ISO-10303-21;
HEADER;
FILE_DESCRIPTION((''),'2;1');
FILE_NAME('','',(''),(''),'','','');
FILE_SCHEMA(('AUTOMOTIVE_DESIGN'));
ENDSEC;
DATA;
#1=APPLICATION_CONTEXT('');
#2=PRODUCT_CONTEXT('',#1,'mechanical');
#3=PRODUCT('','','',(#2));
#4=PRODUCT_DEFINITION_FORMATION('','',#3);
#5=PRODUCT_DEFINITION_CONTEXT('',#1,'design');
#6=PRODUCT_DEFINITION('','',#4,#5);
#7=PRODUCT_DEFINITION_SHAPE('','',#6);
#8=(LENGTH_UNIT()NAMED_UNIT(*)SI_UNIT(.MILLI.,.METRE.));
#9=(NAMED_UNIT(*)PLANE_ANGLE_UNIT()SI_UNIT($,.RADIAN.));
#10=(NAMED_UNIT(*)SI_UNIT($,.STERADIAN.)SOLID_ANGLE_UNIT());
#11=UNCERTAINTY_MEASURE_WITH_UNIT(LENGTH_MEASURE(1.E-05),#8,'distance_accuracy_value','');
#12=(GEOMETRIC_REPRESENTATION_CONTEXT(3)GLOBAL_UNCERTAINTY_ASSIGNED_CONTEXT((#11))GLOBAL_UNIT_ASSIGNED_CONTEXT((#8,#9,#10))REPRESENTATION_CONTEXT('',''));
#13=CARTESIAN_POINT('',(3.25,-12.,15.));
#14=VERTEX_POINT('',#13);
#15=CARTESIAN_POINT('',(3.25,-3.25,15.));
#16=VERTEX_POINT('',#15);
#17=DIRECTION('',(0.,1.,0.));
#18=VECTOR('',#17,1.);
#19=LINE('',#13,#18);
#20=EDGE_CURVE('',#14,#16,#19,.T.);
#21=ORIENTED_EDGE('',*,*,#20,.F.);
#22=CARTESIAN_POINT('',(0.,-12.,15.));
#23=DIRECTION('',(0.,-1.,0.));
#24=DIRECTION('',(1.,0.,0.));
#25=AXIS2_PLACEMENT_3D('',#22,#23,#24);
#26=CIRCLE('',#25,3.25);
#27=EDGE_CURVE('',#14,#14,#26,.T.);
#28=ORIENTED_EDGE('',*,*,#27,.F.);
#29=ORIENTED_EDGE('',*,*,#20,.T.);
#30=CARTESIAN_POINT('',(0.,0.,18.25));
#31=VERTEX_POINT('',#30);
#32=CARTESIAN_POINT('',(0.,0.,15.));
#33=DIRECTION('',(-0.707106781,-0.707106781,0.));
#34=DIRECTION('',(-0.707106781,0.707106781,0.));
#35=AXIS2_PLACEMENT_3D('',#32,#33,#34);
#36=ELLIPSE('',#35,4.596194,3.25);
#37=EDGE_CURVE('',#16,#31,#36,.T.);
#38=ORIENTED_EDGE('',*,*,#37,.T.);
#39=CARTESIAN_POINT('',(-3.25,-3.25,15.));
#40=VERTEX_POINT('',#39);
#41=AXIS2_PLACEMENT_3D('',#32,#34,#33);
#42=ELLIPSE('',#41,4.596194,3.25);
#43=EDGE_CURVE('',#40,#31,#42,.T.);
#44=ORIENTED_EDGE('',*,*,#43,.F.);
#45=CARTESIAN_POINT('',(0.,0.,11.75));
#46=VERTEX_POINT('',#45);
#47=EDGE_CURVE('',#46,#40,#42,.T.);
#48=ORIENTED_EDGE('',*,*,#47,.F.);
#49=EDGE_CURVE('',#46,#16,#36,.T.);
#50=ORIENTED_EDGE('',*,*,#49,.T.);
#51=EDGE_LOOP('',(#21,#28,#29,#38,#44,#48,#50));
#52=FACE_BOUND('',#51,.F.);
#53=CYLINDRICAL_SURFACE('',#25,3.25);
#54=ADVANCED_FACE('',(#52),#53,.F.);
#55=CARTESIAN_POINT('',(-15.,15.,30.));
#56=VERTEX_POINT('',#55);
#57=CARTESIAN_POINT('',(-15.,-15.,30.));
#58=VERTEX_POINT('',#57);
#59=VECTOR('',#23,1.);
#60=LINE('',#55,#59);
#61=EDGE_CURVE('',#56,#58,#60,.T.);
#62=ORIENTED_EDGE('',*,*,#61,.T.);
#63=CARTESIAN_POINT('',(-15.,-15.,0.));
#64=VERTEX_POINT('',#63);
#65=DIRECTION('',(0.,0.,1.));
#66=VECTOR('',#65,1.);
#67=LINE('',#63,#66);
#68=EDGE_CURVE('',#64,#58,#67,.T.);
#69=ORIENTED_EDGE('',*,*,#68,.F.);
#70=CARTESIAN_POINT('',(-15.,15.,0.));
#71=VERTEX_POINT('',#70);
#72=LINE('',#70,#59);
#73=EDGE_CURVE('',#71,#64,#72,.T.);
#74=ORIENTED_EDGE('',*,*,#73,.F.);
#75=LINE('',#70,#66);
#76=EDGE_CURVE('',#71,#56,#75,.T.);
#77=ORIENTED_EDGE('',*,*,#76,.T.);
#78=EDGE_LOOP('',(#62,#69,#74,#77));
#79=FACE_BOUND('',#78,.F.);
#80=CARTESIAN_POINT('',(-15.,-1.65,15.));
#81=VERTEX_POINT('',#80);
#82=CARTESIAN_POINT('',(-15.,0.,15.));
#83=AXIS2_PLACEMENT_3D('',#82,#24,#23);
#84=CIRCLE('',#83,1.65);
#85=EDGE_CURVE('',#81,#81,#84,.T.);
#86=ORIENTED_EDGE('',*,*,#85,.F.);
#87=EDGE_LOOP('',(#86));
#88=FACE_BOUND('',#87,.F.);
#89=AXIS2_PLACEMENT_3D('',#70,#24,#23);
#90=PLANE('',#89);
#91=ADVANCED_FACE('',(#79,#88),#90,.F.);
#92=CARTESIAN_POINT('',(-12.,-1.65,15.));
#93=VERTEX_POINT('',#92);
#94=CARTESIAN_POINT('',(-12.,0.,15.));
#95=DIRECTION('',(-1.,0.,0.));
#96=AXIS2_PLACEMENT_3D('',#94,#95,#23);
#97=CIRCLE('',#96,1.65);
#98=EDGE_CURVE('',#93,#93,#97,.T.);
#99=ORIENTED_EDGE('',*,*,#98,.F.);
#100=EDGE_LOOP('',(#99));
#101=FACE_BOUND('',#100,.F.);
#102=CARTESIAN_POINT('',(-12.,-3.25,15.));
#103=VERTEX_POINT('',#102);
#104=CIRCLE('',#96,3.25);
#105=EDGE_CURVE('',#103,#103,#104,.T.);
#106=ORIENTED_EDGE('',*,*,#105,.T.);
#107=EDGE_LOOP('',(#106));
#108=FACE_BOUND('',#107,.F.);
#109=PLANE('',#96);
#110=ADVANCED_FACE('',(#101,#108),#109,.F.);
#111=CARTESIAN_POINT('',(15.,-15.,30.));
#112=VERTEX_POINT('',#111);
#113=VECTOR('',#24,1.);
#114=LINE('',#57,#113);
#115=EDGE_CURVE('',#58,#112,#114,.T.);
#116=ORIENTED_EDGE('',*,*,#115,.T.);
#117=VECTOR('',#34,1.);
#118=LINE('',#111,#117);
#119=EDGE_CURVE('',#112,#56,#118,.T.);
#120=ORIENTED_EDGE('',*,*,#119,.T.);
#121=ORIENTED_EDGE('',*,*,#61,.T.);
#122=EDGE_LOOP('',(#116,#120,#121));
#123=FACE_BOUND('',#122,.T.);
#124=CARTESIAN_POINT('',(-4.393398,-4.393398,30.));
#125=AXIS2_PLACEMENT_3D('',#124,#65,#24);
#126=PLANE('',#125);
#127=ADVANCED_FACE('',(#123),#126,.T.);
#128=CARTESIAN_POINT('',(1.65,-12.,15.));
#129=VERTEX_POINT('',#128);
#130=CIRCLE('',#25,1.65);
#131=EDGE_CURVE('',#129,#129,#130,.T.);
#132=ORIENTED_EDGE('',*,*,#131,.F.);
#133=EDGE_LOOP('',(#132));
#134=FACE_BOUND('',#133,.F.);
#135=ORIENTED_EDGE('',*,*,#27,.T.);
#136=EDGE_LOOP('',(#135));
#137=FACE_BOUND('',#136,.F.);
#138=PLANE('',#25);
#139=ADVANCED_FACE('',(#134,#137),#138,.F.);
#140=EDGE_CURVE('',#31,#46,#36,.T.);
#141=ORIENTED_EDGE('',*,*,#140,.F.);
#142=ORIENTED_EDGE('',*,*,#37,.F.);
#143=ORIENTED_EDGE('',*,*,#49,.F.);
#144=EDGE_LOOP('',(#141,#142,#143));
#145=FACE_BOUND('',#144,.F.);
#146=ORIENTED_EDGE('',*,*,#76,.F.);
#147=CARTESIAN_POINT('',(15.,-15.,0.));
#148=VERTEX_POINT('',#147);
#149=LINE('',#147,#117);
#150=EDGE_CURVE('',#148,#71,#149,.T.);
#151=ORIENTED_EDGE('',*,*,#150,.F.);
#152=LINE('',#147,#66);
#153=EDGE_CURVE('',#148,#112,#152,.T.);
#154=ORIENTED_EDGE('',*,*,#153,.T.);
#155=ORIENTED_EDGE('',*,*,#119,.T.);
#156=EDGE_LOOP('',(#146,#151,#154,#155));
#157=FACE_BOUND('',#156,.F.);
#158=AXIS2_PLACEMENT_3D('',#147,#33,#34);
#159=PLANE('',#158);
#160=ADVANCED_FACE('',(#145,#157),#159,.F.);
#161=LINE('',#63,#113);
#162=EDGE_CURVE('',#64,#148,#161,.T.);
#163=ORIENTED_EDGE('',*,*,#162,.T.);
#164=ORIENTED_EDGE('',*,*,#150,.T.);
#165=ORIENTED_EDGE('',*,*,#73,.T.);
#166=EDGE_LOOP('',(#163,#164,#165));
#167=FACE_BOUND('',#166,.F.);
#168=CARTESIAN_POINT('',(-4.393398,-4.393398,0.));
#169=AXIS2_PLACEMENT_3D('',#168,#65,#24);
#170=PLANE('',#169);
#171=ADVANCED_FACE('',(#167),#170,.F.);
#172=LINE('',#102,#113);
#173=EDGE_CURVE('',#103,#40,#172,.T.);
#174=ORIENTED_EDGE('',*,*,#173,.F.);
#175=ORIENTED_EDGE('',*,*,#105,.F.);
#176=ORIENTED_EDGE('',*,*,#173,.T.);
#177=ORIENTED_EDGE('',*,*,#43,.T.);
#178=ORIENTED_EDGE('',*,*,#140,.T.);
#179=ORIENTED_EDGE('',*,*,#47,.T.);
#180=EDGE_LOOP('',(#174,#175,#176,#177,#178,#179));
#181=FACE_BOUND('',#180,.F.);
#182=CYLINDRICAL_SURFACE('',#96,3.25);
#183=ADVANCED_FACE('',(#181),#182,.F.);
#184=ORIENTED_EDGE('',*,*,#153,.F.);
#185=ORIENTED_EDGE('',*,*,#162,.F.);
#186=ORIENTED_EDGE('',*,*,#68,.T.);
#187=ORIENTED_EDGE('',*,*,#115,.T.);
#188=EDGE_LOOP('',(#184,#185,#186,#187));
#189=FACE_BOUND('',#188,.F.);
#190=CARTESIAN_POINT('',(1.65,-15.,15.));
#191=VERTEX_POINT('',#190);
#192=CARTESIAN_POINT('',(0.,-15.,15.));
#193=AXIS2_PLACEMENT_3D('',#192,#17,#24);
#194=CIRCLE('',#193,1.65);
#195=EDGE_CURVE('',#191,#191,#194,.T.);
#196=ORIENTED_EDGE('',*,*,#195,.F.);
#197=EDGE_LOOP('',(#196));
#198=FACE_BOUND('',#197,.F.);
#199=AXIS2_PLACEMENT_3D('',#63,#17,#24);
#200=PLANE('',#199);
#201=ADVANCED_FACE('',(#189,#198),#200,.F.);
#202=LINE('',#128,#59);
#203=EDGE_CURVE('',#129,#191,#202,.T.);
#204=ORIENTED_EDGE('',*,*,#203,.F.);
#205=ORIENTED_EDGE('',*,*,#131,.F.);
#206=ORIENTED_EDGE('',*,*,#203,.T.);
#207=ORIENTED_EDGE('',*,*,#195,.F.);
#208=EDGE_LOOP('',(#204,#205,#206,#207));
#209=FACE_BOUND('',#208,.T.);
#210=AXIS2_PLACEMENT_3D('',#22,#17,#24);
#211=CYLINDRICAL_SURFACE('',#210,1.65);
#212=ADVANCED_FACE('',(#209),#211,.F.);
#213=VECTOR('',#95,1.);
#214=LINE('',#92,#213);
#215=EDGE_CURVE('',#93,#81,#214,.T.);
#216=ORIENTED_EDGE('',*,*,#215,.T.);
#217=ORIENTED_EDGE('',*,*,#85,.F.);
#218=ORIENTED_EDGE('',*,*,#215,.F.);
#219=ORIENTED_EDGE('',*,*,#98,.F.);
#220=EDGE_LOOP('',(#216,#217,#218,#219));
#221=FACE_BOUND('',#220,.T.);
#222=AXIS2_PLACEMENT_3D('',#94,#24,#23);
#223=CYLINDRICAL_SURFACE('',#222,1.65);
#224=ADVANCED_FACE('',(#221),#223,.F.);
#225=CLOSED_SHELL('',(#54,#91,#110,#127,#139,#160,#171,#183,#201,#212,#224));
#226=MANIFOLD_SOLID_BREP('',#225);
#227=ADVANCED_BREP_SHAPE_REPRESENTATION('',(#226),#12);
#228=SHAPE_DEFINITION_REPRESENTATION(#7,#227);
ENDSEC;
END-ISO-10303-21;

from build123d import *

# Parameters (mm, degrees)
F2_DEPTH  = 30
F4_R      = 3.25
F5_DEPTH  = 27.001
F6_R      = 1.65
F7_DEPTH  = 3.001
F9_R      = 3.25
F10_DEPTH = 27.001
F11_R     = 1.65
F12_DEPTH = 25


with BuildPart() as f2:
    # F1 (on Top) → F2 (new body)
    with BuildSketch(Plane.XY):
        Polygon((-15, -15), (15, -15), (-15, 15), align=None)
    extrude(amount=F2_DEPTH)

    # F4 (on offset) → F5 (cut, through all)
    with BuildSketch(Plane(origin=(-12, 0, 0), x_dir=(0, -1, 0), z_dir=(-1, 0, 0))):
        with Locations((0, 15)):
            Circle(F4_R)
    extrude(amount=-F5_DEPTH, mode=Mode.SUBTRACT)

    # F6 (on offset) → F7 (cut, through all)
    with BuildSketch(Plane(origin=(-12, 0, 0), x_dir=(0, -1, 0), z_dir=(-1, 0, 0))):
        with Locations((0, 15)):
            Circle(F6_R)
    extrude(amount=F7_DEPTH, mode=Mode.SUBTRACT)

    # F9 (on offset) → F10 (cut, through all)
    with BuildSketch(Plane.XZ.offset(12)):
        with Locations((0, 15)):
            Circle(F9_R)
    extrude(amount=-F10_DEPTH, mode=Mode.SUBTRACT)

    # F11 (on offset) → F12 (cut)
    with BuildSketch(Plane.XZ.offset(12)):
        with Locations((0, 15)):
            Circle(F11_R)
    extrude(amount=F12_DEPTH, mode=Mode.SUBTRACT)


solid = f2.part
